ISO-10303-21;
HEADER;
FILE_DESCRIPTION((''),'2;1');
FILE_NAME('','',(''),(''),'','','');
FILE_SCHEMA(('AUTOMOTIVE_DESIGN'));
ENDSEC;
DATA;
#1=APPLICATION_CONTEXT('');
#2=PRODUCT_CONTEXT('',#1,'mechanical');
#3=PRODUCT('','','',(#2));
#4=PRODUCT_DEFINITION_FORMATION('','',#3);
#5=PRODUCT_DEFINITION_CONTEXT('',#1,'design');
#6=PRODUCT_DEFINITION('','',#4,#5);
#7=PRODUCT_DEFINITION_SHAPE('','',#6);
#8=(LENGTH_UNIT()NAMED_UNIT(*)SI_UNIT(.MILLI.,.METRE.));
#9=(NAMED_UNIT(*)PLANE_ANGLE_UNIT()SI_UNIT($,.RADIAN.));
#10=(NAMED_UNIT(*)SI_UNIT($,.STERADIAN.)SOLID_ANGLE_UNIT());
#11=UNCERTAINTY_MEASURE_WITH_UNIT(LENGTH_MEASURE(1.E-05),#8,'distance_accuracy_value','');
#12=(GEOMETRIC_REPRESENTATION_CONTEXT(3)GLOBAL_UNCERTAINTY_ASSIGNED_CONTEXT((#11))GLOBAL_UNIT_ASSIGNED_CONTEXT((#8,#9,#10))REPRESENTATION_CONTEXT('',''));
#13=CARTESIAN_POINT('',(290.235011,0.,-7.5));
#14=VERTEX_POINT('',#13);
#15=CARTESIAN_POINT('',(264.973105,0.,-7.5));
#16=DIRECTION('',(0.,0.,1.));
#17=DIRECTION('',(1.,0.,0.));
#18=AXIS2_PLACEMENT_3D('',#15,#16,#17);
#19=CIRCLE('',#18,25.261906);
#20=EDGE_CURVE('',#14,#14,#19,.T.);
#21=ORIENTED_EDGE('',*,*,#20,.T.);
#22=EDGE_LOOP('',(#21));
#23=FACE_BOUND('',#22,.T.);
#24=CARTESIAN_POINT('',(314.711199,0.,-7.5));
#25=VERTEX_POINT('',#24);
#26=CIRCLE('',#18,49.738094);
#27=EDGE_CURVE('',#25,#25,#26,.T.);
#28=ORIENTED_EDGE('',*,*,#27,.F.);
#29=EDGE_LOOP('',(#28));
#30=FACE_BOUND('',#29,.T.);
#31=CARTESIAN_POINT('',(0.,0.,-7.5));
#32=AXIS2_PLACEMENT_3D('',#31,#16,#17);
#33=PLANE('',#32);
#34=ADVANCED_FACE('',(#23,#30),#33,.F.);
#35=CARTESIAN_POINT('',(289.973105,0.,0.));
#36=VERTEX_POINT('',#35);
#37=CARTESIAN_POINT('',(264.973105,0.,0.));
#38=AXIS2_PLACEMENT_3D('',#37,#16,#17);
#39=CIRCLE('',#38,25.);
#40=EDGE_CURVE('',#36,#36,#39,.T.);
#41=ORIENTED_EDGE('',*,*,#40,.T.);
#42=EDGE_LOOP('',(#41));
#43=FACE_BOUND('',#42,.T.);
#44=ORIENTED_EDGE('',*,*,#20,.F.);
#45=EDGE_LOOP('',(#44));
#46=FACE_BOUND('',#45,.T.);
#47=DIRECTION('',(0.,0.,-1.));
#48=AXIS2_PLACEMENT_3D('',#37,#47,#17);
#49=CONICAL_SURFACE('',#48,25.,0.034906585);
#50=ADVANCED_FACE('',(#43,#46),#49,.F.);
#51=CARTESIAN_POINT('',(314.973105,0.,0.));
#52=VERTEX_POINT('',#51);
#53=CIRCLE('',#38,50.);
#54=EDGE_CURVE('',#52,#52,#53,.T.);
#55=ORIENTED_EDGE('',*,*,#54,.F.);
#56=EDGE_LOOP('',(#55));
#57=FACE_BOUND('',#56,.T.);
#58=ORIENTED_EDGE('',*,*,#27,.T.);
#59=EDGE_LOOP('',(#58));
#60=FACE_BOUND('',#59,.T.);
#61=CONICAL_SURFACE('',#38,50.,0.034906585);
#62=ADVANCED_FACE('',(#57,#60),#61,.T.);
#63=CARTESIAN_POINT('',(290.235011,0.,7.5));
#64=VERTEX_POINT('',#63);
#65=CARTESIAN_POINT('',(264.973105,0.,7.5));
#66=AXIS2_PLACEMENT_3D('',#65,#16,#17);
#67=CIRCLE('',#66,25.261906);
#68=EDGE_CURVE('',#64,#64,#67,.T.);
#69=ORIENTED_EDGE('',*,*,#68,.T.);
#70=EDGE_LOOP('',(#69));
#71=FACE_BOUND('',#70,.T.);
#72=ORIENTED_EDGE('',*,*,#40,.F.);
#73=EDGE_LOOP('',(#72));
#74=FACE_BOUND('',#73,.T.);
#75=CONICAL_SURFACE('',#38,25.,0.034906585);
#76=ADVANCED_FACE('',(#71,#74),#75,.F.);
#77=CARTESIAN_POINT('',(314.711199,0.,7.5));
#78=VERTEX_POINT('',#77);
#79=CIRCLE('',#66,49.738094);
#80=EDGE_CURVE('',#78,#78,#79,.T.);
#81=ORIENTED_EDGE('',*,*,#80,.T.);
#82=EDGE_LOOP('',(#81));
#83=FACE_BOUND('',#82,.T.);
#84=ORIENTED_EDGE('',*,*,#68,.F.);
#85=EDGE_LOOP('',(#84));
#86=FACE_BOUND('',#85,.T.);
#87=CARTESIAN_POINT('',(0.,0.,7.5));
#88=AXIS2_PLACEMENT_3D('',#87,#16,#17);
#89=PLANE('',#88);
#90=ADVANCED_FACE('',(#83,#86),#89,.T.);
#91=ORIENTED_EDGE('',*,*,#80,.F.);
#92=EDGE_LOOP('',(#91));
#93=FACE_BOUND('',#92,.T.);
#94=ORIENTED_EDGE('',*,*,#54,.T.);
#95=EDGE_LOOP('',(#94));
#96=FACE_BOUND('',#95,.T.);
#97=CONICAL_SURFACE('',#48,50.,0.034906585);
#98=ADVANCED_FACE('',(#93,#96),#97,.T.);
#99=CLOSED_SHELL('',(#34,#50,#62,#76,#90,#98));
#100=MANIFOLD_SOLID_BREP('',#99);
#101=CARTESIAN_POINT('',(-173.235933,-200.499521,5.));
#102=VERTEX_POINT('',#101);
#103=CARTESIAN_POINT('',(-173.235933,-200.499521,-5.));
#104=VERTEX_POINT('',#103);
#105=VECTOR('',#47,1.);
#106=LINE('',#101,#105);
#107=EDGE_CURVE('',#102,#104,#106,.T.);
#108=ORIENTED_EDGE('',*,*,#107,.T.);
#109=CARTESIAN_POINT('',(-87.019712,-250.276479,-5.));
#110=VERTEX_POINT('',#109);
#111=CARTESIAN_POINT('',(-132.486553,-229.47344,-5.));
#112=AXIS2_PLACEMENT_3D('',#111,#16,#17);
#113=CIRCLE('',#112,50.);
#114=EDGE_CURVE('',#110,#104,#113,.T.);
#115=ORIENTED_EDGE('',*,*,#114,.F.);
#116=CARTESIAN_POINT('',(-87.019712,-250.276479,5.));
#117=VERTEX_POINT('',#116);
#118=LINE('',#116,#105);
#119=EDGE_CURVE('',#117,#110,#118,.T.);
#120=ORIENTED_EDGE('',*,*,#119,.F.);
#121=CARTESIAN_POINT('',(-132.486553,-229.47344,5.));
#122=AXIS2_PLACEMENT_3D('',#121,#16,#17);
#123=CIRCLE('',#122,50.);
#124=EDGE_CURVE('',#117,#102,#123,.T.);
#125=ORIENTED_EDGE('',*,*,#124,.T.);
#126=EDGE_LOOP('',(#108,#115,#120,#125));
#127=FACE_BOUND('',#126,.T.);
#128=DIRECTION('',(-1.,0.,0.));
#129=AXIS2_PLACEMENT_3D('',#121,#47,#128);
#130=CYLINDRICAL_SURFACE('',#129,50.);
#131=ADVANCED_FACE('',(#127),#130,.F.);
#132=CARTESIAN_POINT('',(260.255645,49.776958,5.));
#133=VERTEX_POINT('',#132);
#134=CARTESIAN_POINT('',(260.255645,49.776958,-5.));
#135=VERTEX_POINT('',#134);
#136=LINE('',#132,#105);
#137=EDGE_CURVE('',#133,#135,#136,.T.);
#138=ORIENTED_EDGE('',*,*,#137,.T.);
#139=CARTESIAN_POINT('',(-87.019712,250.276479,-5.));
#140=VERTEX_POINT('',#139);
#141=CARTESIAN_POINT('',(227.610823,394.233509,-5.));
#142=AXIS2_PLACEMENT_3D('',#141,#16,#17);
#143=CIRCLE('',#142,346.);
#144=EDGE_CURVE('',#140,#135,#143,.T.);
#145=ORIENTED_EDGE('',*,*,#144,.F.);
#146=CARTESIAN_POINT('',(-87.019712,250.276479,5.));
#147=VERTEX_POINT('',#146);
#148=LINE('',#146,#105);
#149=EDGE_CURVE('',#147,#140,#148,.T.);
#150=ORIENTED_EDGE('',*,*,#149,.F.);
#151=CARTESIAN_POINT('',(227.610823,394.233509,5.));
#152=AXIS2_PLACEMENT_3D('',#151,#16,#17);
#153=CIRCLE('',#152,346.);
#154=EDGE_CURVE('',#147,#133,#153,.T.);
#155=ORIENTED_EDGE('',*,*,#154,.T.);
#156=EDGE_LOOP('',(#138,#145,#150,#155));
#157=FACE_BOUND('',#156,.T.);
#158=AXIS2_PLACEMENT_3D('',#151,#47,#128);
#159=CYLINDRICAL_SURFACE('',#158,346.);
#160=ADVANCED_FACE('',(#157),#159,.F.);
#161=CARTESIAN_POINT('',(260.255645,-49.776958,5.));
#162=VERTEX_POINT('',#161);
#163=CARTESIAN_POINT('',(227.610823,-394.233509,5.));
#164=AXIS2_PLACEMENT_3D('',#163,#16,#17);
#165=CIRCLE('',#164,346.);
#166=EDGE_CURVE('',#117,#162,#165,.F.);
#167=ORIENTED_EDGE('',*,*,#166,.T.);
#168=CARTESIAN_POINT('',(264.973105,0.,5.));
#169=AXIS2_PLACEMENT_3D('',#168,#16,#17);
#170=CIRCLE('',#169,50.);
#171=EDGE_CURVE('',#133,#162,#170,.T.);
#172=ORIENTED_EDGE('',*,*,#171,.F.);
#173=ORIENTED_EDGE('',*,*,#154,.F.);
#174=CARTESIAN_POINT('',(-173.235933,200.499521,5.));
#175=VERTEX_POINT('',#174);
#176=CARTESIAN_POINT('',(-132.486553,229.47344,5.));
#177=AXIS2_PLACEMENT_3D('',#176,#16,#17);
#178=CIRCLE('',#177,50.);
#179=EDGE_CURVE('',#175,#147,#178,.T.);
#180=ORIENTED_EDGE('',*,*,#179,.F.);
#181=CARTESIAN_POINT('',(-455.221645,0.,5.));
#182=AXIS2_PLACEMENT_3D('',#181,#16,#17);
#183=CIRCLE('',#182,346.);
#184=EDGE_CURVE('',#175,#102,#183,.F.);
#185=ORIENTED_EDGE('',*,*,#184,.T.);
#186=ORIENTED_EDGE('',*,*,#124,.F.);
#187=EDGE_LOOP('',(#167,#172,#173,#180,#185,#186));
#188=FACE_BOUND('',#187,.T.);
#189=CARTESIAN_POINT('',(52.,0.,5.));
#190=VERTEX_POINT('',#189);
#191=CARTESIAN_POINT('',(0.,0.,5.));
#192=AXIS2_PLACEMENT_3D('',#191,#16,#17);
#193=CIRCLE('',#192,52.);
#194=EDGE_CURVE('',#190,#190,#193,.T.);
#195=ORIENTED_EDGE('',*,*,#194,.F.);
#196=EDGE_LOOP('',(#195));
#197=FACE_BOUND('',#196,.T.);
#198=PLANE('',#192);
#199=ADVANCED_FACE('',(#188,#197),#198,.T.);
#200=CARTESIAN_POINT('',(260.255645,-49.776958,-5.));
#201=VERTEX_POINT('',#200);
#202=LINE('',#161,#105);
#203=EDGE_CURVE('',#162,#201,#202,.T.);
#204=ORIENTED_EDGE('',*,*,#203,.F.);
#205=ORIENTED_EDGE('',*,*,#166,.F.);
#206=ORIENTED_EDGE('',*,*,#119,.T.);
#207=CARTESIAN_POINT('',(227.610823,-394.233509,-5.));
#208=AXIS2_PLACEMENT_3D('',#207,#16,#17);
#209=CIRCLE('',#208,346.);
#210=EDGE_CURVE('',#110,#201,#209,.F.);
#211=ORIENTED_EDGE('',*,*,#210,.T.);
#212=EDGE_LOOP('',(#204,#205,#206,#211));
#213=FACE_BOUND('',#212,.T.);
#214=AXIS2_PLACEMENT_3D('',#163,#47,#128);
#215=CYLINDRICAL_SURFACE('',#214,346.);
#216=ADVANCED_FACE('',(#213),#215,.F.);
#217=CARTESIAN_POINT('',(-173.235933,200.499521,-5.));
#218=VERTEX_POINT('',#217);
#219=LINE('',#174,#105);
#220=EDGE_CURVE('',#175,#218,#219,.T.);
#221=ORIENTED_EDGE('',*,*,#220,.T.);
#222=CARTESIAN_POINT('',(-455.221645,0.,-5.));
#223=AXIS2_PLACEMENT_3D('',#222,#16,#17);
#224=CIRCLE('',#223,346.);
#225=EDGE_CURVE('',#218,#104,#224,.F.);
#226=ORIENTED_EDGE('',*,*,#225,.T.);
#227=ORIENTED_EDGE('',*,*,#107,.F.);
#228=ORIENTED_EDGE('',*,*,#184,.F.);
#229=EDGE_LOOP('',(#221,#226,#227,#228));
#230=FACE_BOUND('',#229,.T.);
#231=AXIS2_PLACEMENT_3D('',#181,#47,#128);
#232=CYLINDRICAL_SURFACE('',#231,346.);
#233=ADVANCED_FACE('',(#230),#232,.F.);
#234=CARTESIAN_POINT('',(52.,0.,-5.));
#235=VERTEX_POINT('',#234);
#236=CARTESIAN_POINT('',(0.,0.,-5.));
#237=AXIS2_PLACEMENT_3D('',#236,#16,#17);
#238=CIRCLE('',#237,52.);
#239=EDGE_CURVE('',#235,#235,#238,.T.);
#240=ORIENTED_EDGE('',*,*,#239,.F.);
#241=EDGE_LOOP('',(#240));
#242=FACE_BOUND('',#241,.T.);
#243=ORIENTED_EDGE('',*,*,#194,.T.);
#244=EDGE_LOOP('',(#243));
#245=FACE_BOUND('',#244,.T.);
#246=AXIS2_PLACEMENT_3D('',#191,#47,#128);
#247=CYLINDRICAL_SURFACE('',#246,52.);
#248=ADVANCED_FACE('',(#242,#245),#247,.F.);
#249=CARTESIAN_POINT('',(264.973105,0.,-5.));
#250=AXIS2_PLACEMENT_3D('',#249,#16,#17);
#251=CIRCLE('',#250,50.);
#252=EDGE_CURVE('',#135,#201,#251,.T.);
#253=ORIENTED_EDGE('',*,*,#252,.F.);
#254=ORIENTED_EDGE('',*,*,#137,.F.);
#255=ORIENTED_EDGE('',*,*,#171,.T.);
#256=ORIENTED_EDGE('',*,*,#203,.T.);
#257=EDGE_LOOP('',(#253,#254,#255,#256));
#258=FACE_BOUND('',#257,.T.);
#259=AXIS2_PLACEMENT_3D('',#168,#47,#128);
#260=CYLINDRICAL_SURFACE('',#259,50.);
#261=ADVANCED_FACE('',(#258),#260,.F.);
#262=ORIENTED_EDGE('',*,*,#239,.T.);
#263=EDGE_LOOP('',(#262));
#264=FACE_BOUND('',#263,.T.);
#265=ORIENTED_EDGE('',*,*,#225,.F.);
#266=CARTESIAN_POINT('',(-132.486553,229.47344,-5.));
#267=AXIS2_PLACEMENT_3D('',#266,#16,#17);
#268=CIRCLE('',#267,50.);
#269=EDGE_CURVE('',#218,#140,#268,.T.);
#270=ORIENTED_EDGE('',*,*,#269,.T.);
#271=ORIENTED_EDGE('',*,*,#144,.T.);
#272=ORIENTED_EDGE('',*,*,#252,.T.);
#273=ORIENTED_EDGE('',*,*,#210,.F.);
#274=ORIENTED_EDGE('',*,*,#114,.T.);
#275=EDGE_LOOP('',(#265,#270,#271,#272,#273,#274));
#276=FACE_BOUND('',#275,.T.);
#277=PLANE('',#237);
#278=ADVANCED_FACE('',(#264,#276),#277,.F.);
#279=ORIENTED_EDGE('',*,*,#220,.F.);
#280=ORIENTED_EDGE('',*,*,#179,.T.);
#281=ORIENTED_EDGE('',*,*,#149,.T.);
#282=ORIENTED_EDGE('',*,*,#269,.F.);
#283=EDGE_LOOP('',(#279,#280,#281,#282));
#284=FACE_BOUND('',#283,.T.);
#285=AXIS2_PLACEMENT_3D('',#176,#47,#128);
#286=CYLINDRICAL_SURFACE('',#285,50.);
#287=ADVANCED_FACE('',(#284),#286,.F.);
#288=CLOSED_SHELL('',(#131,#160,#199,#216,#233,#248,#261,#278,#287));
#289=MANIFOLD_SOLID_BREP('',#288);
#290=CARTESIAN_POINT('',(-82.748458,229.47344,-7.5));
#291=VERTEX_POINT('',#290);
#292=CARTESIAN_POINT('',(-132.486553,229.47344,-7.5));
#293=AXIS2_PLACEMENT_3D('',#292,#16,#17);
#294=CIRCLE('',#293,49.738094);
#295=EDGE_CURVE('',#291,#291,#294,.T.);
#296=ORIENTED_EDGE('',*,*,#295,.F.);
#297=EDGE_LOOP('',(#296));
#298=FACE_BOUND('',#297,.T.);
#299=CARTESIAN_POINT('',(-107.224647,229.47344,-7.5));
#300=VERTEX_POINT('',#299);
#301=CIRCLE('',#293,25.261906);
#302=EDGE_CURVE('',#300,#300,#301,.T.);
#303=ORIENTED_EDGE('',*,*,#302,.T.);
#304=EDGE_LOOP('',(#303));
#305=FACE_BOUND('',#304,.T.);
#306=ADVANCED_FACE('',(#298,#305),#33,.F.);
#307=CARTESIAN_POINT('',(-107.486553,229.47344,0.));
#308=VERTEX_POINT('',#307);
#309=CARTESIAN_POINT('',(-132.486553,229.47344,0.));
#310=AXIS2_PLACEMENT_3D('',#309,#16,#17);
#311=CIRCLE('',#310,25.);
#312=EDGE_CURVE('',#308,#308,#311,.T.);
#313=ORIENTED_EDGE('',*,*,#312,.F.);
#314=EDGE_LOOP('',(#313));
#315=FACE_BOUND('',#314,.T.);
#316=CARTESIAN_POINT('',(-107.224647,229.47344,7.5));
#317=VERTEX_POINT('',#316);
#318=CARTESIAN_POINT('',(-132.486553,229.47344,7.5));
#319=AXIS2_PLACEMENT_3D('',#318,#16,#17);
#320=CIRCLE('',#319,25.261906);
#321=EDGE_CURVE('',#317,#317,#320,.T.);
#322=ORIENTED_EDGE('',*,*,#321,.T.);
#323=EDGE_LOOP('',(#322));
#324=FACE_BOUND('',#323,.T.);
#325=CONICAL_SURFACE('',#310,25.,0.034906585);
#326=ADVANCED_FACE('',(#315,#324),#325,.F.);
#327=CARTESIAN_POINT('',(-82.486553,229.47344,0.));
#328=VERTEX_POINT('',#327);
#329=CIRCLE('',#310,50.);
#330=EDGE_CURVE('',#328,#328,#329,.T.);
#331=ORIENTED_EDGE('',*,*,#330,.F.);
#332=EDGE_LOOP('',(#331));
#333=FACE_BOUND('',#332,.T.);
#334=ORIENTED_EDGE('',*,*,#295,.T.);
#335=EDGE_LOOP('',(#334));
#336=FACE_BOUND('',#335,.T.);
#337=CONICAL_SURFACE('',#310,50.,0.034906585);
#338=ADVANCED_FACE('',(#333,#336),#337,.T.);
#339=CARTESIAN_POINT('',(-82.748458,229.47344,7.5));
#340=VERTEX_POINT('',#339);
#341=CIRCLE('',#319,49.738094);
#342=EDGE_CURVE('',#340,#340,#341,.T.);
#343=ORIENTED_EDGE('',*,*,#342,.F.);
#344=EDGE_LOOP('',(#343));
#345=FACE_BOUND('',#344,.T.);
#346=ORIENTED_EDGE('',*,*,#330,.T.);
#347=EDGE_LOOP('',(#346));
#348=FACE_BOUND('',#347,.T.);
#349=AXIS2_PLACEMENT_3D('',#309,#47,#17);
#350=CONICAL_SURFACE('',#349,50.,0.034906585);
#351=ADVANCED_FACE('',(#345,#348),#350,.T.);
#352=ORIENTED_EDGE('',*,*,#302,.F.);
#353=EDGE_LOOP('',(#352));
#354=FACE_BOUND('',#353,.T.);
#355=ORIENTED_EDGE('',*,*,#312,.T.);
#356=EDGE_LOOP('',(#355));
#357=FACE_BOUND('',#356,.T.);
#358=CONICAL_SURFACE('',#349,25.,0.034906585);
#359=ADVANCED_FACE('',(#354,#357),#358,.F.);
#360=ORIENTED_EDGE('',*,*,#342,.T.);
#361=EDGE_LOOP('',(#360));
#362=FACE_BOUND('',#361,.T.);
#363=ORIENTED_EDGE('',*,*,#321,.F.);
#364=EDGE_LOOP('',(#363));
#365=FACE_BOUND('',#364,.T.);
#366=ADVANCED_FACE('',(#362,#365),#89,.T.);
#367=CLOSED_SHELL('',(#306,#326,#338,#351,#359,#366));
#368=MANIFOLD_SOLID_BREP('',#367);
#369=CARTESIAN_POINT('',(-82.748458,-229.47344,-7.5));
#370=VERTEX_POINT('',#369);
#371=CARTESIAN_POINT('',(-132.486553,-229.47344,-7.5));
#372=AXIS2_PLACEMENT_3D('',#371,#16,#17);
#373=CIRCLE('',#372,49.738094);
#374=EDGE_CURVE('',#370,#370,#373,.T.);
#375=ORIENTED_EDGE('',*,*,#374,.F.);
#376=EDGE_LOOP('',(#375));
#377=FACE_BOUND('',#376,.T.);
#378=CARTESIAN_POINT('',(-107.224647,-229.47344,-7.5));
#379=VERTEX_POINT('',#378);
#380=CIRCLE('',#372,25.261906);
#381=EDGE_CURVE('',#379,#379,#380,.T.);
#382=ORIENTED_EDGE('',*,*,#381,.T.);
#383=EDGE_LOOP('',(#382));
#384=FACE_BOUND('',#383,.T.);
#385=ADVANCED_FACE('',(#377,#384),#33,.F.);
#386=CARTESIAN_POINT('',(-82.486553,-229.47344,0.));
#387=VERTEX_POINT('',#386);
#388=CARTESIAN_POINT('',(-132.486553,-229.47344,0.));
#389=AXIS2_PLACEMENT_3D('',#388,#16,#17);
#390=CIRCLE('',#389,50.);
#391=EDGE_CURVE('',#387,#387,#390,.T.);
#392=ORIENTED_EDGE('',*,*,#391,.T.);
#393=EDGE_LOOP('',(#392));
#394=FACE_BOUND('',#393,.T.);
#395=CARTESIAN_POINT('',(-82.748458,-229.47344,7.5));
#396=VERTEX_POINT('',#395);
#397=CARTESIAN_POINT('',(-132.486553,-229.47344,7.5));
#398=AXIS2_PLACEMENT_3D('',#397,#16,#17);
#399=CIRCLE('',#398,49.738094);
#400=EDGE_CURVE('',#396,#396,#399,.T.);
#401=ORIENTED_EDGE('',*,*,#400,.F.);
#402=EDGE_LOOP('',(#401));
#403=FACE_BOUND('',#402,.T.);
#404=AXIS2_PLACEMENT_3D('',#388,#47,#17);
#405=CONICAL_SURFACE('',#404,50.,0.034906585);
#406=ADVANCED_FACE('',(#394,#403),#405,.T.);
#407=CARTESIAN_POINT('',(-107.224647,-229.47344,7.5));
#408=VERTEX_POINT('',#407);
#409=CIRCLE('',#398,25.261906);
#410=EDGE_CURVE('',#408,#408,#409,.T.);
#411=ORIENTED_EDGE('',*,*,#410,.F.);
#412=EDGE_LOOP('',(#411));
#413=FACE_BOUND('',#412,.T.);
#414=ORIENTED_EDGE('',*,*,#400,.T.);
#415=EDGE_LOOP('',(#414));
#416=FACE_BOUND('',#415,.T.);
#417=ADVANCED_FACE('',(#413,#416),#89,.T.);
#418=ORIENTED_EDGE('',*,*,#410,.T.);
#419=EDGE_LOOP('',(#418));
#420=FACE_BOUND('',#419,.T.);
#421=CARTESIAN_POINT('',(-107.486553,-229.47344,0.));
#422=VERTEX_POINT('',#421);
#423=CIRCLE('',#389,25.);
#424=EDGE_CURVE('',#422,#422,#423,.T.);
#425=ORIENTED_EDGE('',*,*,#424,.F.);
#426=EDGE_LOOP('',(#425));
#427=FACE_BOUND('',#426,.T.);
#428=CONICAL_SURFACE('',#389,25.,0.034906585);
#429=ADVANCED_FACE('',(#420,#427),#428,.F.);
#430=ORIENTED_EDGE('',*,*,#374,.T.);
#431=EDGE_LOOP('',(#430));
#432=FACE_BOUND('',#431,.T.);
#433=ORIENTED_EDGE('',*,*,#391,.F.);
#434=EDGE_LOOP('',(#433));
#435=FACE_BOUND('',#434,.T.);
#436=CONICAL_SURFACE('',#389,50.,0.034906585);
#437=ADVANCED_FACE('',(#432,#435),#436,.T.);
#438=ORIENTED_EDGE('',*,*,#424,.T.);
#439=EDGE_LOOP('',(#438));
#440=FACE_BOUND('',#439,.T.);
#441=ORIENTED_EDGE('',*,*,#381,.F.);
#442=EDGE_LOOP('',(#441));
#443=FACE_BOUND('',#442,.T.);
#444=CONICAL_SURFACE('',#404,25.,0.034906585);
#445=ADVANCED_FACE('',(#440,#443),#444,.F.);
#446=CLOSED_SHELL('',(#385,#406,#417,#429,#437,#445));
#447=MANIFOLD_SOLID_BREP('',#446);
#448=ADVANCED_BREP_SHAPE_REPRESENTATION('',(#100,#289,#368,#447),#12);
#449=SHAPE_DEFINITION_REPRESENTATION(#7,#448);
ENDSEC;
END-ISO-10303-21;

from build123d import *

# Parameters (mm, degrees)
SKETCH1_R                     = 52
BOSS_EXTRUDE1_DEPTH           = 5
SKETCH1_3_R                   = 50
SKETCH1_3_R_2                 = 25
BOSS_EXTRUDE2_DEPTH           = 7.5
BOSS_EXTRUDE2_TAPER           = 2
BOSS_EXTRUDE2_OTHER_WAY_DEPTH = 7.5
BOSS_EXTRUDE2_OTHER_WAY_TAPER = 2


with BuildPart() as part:
    # Sketch1 → Boss-Extrude1 (new, symmetric)
    with BuildSketch(Plane.XY):
        with BuildLine():
            ThreePointArc((260.255645268, -49.776958244), (214.973105174, 0), (260.255645268, 49.776958244))
            ThreePointArc((260.255645268, 49.776958244), (54.610822714, 94.588719583), (-87.019712271, 250.276479402))
            ThreePointArc((-87.019712271, 250.276479402), (-83.632985595, 240.119049454), (-82.486552587, 229.473440401))
            ThreePointArc((-82.486552587, 229.473440401), (-117.279136969, 181.842205793), (-173.235932996, 200.499521158))
            ThreePointArc((-173.235932996, 200.499521158), (-109.221645428, 0), (-173.235932996, -200.499521158))
            ThreePointArc((-173.235932996, -200.499521158), (-117.279136969, -181.842205793), (-82.486552587, -229.473440401))
            ThreePointArc((-82.486552587, -229.473440401), (-83.632985595, -240.119049454), (-87.019712271, -250.276479402))
            ThreePointArc((-87.019712271, -250.276479402), (54.610822714, -94.588719583), (260.255645268, -49.776958244))
        make_face()
        Circle(SKETCH1_R, mode=Mode.SUBTRACT)
    extrude(amount=BOSS_EXTRUDE1_DEPTH, both=True)



with BuildPart() as body_2:
    # Sketch1<3> → Boss-Extrude2 (new body)
    # profile 1 of 3: a face of its own
    with BuildSketch(Plane.XY):
        with Locations((-132.486552587, 229.473440401)):
            Circle(SKETCH1_3_R)
        with Locations((-132.486552587, 229.473440401)):
            Circle(SKETCH1_3_R_2, mode=Mode.SUBTRACT)
    # profile 2 of 3: a face of its own
    with BuildSketch(Plane.XY):
        with Locations((-132.486552587, -229.473440401)):
            Circle(SKETCH1_3_R)
        with Locations((-132.486552587, -229.473440401)):
            Circle(SKETCH1_3_R_2, mode=Mode.SUBTRACT)
    # profile 3 of 3: a face of its own
    with BuildSketch(Plane.XY):
        with Locations((264.973105174, 0)):
            Circle(SKETCH1_3_R)
        with Locations((264.973105174, 0)):
            Circle(SKETCH1_3_R_2, mode=Mode.SUBTRACT)
    extrude(amount=BOSS_EXTRUDE2_DEPTH, taper=BOSS_EXTRUDE2_TAPER)


with BuildPart() as part_1:
    add(part.part)

    add(body_2.part)  # Boss-Extrude2 other way merges body 2
    # Sketch1<3> → Boss-Extrude2 other way (add)
    # profile 1 of 3: a face of its own
    with BuildSketch(Plane.XY):
        with Locations((-132.486552587, 229.473440401)):
            Circle(SKETCH1_3_R)
        with Locations((-132.486552587, 229.473440401)):
            Circle(SKETCH1_3_R_2, mode=Mode.SUBTRACT)
    # profile 2 of 3: a face of its own
    with BuildSketch(Plane.XY):
        with Locations((-132.486552587, -229.473440401)):
            Circle(SKETCH1_3_R)
        with Locations((-132.486552587, -229.473440401)):
            Circle(SKETCH1_3_R_2, mode=Mode.SUBTRACT)
    # profile 3 of 3: a face of its own
    with BuildSketch(Plane.XY):
        with Locations((264.973105174, 0)):
            Circle(SKETCH1_3_R)
        with Locations((264.973105174, 0)):
            Circle(SKETCH1_3_R_2, mode=Mode.SUBTRACT)
    extrude(amount=-BOSS_EXTRUDE2_OTHER_WAY_DEPTH, taper=BOSS_EXTRUDE2_OTHER_WAY_TAPER)


solid = part_1.part
